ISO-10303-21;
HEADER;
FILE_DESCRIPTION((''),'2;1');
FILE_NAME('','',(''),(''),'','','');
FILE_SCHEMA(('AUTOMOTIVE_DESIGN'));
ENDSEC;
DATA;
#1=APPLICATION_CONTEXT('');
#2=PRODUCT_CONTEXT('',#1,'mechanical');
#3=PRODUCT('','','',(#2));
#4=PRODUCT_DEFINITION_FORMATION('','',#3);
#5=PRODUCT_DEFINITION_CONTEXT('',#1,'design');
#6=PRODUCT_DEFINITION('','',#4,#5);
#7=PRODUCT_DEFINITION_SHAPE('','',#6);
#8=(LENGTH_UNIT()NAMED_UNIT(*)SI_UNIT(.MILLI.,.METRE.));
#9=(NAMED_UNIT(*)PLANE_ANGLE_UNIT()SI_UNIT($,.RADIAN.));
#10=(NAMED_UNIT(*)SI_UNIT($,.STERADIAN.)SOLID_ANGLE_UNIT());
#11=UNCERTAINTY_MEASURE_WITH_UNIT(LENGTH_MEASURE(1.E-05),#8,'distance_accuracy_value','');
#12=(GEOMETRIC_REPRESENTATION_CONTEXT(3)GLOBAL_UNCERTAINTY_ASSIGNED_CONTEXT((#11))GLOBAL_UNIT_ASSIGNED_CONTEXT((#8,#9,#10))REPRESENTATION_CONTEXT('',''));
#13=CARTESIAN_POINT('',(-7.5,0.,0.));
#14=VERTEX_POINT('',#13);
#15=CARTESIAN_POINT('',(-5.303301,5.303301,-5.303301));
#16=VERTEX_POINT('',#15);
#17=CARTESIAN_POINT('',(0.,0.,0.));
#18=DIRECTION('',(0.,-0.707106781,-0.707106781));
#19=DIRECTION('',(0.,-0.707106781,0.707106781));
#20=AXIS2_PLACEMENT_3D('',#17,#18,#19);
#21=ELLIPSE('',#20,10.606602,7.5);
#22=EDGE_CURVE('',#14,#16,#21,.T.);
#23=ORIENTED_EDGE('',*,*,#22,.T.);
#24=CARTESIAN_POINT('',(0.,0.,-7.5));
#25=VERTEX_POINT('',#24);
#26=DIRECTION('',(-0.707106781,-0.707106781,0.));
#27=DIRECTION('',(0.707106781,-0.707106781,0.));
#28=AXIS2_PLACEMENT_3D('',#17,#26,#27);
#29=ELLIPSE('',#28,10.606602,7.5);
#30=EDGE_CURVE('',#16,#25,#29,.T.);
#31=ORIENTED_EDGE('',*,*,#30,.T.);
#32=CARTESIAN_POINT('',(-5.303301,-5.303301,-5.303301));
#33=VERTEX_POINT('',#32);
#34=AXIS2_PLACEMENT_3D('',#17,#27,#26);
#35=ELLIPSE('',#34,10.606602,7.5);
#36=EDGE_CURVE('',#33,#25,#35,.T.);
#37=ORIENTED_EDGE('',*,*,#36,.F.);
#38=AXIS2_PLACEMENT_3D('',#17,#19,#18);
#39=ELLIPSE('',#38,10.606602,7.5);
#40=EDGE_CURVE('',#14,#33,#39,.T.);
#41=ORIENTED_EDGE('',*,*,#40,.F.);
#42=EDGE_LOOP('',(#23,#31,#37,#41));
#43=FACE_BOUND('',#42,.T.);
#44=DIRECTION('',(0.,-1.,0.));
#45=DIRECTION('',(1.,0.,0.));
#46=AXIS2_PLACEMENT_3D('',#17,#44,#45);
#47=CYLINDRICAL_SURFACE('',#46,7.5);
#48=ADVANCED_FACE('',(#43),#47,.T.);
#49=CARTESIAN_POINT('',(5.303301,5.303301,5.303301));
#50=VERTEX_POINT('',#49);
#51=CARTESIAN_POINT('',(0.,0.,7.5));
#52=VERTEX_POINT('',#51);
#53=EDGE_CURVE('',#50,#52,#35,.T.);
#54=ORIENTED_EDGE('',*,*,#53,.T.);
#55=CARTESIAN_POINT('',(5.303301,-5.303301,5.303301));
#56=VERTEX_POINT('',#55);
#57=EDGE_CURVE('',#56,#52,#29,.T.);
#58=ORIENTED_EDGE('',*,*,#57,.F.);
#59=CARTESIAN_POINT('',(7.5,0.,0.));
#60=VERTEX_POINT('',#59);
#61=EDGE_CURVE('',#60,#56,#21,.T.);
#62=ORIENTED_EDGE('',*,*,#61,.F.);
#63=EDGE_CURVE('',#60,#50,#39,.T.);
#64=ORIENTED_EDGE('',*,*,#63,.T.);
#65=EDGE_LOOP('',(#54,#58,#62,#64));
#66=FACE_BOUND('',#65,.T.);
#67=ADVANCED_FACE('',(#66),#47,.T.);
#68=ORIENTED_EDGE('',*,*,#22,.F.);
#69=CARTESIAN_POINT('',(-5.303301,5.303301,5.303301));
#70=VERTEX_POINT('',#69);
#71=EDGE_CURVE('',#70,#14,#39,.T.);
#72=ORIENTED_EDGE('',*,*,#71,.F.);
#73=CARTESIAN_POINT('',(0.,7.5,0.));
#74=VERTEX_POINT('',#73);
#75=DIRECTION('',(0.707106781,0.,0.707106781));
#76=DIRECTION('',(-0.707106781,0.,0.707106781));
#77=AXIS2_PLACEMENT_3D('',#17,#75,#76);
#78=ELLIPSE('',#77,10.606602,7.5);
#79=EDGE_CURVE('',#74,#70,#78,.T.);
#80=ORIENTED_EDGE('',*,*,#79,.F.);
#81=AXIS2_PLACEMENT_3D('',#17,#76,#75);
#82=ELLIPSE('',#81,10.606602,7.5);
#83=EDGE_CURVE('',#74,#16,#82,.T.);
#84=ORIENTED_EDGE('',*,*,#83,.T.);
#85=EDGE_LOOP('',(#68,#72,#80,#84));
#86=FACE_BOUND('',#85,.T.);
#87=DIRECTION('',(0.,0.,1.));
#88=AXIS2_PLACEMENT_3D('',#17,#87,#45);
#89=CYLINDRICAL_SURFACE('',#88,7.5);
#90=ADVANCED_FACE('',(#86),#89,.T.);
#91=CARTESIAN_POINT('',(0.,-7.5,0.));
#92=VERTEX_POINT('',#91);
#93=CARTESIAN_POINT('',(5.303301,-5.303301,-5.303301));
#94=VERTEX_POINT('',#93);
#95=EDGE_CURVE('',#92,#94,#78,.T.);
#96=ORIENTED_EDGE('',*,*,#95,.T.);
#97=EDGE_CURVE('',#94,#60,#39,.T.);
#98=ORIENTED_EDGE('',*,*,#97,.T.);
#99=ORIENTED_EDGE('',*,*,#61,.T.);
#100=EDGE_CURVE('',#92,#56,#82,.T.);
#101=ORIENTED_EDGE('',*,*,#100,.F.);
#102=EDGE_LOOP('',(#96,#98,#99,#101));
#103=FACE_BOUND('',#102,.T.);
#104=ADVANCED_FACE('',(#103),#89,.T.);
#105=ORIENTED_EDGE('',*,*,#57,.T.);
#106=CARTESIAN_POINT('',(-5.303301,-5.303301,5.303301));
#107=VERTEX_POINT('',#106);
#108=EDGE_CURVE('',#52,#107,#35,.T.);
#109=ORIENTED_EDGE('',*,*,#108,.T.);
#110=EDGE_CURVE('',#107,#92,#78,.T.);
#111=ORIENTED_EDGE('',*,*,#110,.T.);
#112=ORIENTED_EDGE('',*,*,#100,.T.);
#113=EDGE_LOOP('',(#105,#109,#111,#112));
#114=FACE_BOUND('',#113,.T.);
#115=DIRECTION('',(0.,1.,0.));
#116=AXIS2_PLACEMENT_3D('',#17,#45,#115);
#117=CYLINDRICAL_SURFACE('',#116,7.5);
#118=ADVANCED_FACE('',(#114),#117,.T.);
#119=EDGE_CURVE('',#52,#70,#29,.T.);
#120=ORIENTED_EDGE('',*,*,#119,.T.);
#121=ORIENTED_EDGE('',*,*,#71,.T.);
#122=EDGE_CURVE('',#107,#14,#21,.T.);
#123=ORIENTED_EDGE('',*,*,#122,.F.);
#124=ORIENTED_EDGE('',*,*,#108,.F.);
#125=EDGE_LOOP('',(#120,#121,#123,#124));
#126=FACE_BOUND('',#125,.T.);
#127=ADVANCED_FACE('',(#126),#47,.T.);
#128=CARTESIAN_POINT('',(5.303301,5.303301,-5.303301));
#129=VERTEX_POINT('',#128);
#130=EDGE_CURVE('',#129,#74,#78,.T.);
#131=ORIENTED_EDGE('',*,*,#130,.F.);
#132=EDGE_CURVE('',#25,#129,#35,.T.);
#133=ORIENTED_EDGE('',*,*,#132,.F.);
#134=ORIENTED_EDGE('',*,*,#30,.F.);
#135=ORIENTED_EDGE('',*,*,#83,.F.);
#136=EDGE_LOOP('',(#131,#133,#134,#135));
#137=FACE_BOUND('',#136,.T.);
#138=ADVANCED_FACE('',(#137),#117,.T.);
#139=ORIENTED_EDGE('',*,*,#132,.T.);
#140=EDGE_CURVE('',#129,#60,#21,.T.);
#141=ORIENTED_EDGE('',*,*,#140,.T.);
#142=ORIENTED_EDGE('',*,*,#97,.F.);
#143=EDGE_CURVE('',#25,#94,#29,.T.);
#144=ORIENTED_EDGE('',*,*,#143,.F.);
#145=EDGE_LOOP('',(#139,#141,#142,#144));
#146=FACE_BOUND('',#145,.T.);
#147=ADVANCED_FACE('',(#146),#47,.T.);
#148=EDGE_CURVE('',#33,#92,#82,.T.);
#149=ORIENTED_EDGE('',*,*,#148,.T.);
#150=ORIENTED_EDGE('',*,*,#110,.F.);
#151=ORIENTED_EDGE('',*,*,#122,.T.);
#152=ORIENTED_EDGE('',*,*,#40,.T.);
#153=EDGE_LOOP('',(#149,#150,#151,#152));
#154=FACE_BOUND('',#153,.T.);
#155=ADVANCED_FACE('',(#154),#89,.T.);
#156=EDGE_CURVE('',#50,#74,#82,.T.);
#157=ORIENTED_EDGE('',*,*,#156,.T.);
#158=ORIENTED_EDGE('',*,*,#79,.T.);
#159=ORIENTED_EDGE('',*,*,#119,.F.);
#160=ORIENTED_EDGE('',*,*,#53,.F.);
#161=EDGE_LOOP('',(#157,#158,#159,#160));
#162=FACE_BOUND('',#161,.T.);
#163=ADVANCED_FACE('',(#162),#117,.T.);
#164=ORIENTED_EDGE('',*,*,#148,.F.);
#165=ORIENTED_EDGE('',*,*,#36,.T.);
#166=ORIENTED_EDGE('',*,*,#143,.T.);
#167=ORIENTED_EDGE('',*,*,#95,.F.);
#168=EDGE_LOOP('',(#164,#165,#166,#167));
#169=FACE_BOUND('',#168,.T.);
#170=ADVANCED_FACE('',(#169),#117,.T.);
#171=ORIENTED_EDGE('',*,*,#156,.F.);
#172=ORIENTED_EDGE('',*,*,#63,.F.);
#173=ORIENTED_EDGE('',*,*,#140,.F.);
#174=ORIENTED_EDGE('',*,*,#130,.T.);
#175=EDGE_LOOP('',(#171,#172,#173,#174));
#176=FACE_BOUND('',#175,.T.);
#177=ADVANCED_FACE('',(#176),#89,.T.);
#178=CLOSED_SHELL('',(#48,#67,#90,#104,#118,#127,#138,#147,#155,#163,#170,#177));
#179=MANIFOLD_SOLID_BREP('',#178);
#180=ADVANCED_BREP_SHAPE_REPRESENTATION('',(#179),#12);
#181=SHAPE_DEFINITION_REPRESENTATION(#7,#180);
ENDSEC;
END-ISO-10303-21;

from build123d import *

# Parameters (mm, degrees)
F0_R     = 7.5
F3_DEPTH = 7.5
F1_R     = 7.5
F4_DEPTH = 7.5
F2_R     = 7.5
F5_DEPTH = 7.5


with BuildPart() as f3:
    # F0 (on Front) → F3 (new body, symmetric)
    with BuildSketch(Plane.XZ):
        Circle(F0_R)
    extrude(amount=F3_DEPTH, both=True)

    # F1 (on Top) → F4 (intersect, symmetric)
    with BuildSketch(Plane.XY):
        Circle(F1_R)
    extrude(amount=F4_DEPTH, both=True, mode=Mode.INTERSECT)

    # F2 (on Right) → F5 (intersect, symmetric)
    with BuildSketch(Plane.YZ):
        Circle(F2_R)
    extrude(amount=F5_DEPTH, both=True, mode=Mode.INTERSECT)


solid = f3.part
